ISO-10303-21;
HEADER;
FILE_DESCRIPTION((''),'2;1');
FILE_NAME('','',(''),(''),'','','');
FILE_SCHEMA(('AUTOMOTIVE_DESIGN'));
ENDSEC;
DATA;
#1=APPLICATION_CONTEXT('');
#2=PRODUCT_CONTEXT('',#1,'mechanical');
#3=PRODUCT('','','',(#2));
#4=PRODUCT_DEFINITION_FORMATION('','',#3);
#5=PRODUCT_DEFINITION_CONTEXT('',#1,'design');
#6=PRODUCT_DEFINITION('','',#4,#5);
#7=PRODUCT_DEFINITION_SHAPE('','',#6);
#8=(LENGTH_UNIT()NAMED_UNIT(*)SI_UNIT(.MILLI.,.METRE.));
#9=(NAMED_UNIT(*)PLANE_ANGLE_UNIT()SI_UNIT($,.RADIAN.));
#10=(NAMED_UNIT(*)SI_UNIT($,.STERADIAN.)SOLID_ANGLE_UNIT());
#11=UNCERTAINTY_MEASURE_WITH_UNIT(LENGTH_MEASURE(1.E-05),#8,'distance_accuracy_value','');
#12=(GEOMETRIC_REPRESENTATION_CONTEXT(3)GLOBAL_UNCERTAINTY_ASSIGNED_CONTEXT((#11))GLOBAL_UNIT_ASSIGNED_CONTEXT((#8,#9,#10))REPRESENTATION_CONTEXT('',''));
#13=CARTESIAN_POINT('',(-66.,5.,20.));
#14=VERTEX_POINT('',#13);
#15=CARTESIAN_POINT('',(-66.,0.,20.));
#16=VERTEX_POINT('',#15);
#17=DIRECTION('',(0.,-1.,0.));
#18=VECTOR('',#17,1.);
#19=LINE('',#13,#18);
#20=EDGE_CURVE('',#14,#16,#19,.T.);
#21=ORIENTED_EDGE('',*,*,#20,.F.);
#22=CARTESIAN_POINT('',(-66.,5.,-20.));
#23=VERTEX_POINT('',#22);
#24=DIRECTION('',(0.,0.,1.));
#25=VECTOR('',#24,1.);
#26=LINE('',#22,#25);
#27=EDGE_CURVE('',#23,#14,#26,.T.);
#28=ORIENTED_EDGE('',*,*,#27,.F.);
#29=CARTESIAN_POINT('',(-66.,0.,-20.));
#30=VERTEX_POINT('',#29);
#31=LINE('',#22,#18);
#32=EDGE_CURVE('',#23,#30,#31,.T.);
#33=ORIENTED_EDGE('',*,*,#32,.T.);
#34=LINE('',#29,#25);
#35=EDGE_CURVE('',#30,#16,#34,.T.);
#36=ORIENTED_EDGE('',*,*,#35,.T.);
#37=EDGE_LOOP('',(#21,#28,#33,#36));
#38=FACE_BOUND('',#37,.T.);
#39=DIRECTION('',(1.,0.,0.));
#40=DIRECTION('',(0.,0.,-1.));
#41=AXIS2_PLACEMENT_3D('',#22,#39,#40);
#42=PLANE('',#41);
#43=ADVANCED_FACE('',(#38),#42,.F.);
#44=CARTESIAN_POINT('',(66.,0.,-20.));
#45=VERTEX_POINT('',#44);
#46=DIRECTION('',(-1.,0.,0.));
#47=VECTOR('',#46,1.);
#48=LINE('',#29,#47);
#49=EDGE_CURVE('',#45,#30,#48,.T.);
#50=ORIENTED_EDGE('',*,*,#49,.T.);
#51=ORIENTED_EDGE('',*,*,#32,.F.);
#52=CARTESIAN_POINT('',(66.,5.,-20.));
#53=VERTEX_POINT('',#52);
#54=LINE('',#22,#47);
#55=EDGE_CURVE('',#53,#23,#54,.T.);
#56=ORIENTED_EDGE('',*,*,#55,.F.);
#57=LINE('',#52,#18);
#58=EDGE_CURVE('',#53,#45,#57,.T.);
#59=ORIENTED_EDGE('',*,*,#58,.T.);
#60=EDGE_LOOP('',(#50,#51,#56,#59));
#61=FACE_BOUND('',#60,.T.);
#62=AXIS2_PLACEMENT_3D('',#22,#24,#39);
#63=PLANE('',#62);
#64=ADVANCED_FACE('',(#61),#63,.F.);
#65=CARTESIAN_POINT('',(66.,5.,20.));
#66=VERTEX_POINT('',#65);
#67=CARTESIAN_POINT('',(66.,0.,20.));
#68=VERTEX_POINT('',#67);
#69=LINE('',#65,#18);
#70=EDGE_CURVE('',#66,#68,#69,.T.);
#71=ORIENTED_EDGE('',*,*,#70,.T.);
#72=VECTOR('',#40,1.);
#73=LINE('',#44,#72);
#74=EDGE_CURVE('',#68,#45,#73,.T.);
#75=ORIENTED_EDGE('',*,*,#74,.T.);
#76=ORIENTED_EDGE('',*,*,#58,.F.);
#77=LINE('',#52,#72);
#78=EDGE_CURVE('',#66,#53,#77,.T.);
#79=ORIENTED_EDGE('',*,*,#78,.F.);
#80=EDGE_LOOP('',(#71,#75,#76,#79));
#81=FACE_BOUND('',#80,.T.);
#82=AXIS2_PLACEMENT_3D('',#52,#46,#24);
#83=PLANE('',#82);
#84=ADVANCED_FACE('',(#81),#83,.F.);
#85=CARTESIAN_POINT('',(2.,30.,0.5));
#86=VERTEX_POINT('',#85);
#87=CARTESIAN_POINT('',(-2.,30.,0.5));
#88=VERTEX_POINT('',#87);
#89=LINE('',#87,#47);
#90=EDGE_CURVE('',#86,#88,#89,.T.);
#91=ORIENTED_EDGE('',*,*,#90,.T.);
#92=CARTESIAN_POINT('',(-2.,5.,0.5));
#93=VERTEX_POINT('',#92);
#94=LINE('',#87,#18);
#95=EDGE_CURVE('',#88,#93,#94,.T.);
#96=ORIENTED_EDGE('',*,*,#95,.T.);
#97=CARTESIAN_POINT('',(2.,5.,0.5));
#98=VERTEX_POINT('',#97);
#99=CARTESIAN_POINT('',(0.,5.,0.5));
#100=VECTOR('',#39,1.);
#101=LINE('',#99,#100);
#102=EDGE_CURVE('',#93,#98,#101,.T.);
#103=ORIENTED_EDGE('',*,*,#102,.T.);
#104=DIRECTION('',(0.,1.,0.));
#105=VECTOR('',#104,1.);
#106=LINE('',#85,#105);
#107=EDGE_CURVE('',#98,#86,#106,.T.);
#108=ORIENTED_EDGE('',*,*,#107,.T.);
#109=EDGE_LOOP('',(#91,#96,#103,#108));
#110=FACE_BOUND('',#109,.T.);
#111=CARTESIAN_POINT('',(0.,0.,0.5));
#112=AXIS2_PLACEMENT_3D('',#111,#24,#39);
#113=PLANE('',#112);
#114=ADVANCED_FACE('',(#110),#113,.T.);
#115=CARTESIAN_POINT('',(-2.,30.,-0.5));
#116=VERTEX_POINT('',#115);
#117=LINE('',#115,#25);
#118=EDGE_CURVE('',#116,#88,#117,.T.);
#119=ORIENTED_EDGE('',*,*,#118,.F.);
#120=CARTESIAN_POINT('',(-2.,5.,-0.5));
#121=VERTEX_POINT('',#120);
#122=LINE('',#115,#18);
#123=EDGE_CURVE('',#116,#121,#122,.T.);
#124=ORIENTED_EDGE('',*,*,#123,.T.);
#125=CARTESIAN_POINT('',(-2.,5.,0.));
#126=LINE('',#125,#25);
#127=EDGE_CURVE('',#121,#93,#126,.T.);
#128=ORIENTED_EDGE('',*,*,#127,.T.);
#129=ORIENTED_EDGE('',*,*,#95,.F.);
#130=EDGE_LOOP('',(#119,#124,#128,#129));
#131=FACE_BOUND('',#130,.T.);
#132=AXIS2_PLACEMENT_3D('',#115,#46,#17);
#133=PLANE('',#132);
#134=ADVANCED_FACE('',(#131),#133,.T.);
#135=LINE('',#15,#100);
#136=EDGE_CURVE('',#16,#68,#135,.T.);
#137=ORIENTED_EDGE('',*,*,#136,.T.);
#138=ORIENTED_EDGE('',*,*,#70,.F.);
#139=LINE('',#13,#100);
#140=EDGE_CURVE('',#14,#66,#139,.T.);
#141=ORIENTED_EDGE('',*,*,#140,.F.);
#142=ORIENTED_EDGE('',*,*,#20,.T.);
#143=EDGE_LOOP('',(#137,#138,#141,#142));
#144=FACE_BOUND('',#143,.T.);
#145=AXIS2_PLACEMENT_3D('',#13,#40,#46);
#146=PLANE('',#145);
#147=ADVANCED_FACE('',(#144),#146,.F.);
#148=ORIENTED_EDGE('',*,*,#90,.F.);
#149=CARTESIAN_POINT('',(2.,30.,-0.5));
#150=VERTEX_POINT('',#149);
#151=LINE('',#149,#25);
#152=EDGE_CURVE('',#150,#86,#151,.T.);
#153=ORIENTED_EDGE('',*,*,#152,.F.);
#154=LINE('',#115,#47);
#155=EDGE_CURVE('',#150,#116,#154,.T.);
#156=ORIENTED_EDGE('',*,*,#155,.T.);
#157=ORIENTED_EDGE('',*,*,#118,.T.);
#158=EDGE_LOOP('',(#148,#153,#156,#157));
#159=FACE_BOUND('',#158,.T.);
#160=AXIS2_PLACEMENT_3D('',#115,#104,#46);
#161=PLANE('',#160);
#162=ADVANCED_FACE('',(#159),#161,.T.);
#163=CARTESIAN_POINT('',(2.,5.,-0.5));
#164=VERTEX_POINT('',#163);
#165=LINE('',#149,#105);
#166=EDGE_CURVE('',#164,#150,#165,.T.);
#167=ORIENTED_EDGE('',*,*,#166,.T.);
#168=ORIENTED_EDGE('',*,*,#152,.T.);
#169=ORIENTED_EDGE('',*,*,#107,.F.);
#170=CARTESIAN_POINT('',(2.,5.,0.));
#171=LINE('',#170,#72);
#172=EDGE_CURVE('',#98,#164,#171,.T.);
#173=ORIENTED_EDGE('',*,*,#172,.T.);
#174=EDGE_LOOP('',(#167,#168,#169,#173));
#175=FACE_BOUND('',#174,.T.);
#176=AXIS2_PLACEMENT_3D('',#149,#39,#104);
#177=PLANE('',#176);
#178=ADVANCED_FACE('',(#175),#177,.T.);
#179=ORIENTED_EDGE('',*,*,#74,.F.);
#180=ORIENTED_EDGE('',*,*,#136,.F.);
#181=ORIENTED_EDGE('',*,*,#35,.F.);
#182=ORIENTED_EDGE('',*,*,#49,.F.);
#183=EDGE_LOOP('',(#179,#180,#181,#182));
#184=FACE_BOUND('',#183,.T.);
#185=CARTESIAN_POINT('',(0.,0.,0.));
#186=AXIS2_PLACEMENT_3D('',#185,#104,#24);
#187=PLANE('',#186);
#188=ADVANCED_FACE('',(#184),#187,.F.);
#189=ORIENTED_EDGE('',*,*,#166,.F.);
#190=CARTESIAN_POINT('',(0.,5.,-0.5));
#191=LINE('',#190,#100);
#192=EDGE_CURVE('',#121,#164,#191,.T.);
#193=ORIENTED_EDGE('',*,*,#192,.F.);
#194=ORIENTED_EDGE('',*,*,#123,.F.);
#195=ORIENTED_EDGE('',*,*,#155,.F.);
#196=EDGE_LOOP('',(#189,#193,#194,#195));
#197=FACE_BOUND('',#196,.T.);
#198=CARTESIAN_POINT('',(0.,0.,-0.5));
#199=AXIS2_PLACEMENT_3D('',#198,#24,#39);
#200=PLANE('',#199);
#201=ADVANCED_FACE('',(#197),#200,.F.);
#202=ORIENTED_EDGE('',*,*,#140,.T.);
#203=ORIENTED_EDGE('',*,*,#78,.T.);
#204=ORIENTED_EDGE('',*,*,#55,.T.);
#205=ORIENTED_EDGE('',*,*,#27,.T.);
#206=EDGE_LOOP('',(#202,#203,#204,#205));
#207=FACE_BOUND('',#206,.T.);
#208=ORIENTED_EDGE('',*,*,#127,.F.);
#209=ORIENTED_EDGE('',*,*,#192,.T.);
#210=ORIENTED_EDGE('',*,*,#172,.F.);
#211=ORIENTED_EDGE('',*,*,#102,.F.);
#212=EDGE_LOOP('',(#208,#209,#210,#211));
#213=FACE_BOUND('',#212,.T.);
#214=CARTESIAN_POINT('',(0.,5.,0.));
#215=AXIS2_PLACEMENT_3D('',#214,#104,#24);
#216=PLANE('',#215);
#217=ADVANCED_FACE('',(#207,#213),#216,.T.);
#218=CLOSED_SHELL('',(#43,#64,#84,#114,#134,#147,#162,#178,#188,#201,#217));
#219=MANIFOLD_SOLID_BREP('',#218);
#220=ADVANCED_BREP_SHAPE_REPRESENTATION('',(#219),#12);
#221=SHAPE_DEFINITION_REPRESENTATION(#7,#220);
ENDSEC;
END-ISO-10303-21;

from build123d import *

# Parameters (mm, degrees)
SKETCH1_W                = 132
SKETCH1_H                = 40
BOSS_EXTRUDE1_DEPTH      = 5
SKETCH2_W                = 4
SKETCH2_H                = 30
BOSS_EXTRUDE2_DEPTH      = 0.5
BOSS_EXTRUDE2_DEPTH_BACK = 0.5


with BuildPart() as part:
    # Sketch1 → Boss-Extrude1 (new body)
    with BuildSketch(Plane(origin=(0, 0, 0), x_dir=(1, 0, 0), z_dir=(0, 1, 0))):
        Rectangle(SKETCH1_W, SKETCH1_H)
    extrude(amount=BOSS_EXTRUDE1_DEPTH)

    # Sketch2 → Boss-Extrude2 (add, two sides)
    with BuildSketch(Plane.XY) as boss_extrude2_sk:
        with Locations((0, 15)):
            Rectangle(SKETCH2_W, SKETCH2_H)
    extrude(amount=BOSS_EXTRUDE2_DEPTH)
    extrude(boss_extrude2_sk.sketch, amount=-BOSS_EXTRUDE2_DEPTH_BACK)


solid = part.part
